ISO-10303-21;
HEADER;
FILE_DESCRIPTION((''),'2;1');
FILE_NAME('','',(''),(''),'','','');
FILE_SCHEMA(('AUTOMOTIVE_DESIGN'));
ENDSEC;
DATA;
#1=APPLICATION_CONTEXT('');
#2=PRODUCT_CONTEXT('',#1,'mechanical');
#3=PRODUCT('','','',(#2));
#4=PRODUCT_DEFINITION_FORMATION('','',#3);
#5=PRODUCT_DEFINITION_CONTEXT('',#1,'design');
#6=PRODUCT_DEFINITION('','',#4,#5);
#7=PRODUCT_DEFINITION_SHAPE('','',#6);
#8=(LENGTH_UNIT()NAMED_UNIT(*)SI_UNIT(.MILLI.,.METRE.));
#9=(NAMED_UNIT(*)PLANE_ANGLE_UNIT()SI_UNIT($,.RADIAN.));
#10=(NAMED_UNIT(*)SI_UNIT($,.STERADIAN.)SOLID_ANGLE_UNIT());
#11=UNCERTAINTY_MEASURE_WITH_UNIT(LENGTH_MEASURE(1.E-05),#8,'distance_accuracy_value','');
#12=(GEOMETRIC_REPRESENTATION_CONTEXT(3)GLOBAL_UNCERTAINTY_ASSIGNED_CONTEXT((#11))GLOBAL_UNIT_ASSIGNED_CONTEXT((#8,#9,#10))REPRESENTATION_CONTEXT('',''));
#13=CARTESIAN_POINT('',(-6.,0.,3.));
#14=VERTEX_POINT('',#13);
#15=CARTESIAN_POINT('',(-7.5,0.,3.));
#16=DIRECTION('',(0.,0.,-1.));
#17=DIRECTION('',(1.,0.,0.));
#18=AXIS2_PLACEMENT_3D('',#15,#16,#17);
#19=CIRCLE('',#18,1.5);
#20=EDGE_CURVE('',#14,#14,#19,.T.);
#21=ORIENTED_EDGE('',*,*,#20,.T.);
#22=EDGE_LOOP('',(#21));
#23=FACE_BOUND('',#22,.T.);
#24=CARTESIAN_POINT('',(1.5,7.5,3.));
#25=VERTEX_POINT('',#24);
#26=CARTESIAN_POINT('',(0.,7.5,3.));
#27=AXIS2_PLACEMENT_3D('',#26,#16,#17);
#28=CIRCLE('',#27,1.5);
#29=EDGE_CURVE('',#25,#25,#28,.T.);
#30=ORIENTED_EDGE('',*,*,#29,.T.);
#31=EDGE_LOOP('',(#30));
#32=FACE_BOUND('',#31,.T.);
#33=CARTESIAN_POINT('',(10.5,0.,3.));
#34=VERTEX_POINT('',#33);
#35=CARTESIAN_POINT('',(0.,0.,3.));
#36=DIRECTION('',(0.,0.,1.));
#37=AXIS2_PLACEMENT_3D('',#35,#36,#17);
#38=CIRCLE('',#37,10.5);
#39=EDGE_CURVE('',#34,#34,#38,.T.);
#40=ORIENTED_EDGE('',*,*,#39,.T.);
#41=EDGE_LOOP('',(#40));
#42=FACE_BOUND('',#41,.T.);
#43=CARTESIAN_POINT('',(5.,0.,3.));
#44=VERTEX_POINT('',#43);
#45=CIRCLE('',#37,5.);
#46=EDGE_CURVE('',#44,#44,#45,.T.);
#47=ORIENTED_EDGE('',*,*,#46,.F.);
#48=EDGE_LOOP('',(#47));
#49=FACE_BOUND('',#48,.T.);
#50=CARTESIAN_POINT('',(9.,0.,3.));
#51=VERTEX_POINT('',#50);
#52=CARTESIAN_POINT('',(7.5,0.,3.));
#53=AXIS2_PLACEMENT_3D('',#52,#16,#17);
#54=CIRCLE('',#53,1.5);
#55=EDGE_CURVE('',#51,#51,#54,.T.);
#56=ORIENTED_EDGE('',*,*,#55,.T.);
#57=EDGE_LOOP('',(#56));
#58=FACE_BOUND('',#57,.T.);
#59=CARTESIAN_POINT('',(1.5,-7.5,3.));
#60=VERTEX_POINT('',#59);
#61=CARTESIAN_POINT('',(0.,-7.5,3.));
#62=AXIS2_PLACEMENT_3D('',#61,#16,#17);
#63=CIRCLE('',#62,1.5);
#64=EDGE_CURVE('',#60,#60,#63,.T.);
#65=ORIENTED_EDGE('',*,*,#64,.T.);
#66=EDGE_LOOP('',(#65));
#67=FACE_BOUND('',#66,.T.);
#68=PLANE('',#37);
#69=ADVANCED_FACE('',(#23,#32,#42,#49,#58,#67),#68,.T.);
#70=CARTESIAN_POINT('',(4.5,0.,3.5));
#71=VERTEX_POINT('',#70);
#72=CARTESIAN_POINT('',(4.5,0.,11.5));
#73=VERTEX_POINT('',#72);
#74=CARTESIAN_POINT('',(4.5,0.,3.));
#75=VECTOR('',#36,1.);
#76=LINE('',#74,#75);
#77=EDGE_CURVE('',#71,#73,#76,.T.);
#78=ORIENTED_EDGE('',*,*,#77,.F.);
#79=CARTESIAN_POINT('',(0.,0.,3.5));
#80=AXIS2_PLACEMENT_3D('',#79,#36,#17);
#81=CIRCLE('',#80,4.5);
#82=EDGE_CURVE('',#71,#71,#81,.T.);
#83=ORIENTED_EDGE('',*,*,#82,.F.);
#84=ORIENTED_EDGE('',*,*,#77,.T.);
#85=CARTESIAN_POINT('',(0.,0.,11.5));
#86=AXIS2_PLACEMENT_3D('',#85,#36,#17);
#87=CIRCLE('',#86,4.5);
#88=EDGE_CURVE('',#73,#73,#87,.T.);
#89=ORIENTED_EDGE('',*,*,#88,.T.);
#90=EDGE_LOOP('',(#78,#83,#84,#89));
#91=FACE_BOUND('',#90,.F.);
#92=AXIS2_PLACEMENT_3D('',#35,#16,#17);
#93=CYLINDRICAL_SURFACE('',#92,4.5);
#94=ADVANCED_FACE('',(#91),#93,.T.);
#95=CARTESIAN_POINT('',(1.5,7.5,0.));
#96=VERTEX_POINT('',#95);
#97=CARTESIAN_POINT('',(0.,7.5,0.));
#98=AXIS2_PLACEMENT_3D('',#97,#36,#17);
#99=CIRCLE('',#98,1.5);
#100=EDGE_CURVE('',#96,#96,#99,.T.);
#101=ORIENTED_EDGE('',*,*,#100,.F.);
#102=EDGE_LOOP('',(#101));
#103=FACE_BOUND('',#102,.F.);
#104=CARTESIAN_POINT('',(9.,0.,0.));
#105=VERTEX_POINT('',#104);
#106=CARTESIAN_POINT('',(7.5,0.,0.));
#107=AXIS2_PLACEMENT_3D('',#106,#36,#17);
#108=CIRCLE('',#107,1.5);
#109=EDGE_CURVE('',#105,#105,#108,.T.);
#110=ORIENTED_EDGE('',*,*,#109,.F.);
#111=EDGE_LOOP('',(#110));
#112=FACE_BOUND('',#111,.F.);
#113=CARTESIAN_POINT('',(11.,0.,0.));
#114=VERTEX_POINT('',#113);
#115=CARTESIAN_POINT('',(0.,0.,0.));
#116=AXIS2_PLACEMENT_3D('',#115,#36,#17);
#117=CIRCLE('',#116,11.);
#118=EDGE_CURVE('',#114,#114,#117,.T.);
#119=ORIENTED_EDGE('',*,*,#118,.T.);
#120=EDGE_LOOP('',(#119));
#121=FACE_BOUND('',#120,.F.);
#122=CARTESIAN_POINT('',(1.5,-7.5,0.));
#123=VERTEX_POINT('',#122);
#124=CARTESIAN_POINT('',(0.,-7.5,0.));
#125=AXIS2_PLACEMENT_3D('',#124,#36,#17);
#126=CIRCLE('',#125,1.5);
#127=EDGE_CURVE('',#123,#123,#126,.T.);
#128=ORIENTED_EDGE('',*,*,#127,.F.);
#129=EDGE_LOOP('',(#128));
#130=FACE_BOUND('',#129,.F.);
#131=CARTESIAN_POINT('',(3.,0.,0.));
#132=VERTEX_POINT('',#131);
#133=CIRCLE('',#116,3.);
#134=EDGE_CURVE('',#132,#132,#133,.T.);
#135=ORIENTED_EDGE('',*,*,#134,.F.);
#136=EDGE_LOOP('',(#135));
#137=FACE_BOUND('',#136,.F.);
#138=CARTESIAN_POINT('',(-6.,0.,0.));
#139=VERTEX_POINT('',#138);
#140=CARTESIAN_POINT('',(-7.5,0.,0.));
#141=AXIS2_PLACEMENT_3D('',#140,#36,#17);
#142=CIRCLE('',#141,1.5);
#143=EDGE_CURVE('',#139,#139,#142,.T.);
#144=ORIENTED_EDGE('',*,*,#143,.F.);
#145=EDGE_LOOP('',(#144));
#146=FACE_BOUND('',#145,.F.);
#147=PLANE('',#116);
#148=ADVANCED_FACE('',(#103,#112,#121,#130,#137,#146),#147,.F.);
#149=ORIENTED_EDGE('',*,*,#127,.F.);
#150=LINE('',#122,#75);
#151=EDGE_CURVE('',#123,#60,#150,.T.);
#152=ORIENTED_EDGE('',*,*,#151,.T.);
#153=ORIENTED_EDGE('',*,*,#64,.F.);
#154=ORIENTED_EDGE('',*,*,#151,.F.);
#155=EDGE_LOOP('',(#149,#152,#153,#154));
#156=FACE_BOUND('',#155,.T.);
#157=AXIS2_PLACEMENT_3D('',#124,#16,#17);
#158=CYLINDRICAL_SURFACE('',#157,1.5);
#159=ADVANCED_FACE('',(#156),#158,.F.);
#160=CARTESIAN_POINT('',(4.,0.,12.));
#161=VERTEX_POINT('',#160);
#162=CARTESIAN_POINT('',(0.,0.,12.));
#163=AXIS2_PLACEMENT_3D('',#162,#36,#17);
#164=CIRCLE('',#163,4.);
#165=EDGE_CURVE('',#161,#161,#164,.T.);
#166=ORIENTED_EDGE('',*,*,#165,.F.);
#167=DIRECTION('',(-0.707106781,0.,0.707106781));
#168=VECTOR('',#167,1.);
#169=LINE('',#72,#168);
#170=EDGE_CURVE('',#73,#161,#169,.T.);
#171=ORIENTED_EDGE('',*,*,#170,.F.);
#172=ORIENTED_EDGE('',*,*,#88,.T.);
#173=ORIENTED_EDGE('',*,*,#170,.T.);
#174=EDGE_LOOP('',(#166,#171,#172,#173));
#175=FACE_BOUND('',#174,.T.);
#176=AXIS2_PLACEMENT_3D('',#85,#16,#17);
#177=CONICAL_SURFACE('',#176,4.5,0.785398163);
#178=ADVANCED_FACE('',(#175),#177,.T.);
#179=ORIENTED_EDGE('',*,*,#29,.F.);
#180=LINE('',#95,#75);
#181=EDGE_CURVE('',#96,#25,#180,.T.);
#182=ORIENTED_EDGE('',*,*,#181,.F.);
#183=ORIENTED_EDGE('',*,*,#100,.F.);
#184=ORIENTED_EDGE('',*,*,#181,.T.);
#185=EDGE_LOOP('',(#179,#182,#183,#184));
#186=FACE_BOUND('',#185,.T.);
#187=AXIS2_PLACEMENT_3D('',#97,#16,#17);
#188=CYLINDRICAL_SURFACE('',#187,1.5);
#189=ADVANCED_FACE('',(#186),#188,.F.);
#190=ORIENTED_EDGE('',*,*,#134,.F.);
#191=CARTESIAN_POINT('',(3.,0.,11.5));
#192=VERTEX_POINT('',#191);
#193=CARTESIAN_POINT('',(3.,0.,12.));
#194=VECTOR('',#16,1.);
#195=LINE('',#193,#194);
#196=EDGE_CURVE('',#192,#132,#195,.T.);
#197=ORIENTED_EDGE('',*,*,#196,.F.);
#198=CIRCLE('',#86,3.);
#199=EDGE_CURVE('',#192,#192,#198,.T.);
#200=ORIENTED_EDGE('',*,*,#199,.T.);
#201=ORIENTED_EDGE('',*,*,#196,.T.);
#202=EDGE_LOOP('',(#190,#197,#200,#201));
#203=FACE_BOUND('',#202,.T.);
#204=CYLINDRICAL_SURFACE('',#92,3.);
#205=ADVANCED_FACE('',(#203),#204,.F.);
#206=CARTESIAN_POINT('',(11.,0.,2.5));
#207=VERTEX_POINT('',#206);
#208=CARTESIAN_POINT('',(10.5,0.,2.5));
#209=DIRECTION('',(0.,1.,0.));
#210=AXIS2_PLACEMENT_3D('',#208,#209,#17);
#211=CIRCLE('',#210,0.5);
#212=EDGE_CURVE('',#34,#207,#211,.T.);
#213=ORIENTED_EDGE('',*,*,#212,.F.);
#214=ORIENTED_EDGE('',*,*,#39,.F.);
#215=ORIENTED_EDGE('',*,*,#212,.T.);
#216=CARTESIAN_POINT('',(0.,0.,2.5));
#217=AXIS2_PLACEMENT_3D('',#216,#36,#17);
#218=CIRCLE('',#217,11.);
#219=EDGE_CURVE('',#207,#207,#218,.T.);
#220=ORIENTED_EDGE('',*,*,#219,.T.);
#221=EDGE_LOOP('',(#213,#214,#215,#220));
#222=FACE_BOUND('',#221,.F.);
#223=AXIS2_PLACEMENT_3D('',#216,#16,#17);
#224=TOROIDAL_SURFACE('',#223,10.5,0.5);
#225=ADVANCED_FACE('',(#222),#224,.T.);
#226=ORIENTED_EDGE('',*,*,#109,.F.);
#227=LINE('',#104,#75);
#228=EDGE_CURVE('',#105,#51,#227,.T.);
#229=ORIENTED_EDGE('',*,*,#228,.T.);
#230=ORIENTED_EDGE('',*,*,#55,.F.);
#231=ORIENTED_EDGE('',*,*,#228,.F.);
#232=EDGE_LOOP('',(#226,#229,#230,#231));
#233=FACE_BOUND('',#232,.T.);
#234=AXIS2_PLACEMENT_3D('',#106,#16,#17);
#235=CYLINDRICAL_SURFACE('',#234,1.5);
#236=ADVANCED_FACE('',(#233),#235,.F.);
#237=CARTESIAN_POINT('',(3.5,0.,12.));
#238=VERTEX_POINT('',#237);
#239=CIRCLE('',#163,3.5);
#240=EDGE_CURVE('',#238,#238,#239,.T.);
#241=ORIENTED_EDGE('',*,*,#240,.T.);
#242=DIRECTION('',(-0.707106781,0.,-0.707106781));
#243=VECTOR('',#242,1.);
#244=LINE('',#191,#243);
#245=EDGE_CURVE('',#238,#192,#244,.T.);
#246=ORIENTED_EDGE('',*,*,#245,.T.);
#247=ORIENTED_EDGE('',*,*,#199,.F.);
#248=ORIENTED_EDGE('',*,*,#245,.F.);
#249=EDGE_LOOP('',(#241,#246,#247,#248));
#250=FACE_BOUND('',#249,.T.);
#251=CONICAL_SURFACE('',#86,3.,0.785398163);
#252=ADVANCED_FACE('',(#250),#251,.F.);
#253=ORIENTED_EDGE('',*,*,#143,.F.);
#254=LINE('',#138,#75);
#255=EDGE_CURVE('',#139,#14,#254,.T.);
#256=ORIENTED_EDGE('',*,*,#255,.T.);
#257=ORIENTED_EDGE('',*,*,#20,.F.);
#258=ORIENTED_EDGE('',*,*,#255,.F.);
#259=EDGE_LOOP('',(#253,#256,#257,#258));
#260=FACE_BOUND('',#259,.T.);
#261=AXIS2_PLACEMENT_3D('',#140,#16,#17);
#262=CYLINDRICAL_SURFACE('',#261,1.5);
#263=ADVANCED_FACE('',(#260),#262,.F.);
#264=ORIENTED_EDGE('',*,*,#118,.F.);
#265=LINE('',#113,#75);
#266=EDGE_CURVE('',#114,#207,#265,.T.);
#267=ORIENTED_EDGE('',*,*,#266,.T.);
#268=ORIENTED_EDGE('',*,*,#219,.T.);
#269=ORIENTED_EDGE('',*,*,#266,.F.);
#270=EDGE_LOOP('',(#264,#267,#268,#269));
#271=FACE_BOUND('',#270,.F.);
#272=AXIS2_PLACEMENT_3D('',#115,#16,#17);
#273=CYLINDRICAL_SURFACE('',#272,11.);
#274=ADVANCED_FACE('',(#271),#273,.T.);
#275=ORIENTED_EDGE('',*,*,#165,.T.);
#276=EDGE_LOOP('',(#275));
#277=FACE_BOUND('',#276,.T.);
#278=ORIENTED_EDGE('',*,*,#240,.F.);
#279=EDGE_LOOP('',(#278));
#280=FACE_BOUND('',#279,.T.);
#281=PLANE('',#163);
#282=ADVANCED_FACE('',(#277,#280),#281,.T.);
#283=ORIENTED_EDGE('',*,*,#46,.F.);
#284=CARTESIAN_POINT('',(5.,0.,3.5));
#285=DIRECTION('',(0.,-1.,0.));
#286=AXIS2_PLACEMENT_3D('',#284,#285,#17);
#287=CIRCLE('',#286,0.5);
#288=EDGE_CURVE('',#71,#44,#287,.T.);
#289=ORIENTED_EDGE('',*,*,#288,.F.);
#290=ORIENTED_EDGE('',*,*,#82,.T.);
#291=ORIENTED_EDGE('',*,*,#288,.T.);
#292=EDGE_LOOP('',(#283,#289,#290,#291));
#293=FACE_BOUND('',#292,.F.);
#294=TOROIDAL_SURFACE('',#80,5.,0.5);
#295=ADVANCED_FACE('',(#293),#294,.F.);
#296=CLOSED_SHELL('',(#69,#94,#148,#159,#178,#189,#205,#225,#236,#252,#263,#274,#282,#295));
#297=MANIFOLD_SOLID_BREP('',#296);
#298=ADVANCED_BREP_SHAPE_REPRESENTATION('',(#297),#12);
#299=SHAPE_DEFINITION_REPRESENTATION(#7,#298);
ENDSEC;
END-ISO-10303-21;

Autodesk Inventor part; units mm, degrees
ref_plane "YZ Plane" through (0, 0, 0) normal (1, 0, 0) x (0, 1, 0)
ref_plane "XZ Plane" through (0, 0, 0) normal (0, 1, 0) x (-1, 0, 0)
ref_plane "XY Plane" through (0, 0, 0) normal (0, 0, 1) x (1, 0, 0)
sketch "Эскиз1" plane through (0, 0, 0) normal (0, 0, 1) x (1, 0, 0)
  circle A0 centre (0, 0) radius 11
  circle A1 centre (0, 0) radius 7.5
  circle A2 centre (-7.5, 0) radius 1.5
  circle A3 centre (0, -7.5) radius 1.5
  circle A4 centre (7.5, 0) radius 1.5
  circle A5 centre (0, 7.5) radius 1.5
  circle A6 centre (0, 0) radius 3
  dimension "d1" = 15
  dimension "d0" = 22
  dimension "d2" = 3
  dimension "d5" = 360
  dimension "d7" = 6
extrude "Выдавливание1" add sketch "Эскиз1" along normal blind 3 contours A0 | A4 A1 A3 A2 A5
sketch "Эскиз2" plane through (0, 0, 3) normal (0, 0, 1) x (1, 0, 0)
  circle A0 centre (0, 0) radius 4.5
  circle A1 centre (0, 0) radius 11 projected
  circle A2 centre (0, 7.5) radius 1.5 projected
  circle A3 centre (-7.5, 0) radius 1.5 projected
  circle A4 centre (0, -7.5) radius 1.5 projected
  circle A5 centre (0, 0) radius 3 projected
  circle A6 centre (7.5, 0) radius 1.5 projected
  dimension "d10" = 9
extrude "Выдавливание2" add sketch "Эскиз2" along normal blind 9 contours A0
fillet "Сопряжение1" radius 0.5 2 edges at (-11, 0, 3) (-4.5, 0, 3)
chamfer "Фаска1" distance 0.5 angle 45 2 edges at (-4.5, 0, 12) (-3, 0, 12)
properties part number "МУФТА НА ВАЛ"
